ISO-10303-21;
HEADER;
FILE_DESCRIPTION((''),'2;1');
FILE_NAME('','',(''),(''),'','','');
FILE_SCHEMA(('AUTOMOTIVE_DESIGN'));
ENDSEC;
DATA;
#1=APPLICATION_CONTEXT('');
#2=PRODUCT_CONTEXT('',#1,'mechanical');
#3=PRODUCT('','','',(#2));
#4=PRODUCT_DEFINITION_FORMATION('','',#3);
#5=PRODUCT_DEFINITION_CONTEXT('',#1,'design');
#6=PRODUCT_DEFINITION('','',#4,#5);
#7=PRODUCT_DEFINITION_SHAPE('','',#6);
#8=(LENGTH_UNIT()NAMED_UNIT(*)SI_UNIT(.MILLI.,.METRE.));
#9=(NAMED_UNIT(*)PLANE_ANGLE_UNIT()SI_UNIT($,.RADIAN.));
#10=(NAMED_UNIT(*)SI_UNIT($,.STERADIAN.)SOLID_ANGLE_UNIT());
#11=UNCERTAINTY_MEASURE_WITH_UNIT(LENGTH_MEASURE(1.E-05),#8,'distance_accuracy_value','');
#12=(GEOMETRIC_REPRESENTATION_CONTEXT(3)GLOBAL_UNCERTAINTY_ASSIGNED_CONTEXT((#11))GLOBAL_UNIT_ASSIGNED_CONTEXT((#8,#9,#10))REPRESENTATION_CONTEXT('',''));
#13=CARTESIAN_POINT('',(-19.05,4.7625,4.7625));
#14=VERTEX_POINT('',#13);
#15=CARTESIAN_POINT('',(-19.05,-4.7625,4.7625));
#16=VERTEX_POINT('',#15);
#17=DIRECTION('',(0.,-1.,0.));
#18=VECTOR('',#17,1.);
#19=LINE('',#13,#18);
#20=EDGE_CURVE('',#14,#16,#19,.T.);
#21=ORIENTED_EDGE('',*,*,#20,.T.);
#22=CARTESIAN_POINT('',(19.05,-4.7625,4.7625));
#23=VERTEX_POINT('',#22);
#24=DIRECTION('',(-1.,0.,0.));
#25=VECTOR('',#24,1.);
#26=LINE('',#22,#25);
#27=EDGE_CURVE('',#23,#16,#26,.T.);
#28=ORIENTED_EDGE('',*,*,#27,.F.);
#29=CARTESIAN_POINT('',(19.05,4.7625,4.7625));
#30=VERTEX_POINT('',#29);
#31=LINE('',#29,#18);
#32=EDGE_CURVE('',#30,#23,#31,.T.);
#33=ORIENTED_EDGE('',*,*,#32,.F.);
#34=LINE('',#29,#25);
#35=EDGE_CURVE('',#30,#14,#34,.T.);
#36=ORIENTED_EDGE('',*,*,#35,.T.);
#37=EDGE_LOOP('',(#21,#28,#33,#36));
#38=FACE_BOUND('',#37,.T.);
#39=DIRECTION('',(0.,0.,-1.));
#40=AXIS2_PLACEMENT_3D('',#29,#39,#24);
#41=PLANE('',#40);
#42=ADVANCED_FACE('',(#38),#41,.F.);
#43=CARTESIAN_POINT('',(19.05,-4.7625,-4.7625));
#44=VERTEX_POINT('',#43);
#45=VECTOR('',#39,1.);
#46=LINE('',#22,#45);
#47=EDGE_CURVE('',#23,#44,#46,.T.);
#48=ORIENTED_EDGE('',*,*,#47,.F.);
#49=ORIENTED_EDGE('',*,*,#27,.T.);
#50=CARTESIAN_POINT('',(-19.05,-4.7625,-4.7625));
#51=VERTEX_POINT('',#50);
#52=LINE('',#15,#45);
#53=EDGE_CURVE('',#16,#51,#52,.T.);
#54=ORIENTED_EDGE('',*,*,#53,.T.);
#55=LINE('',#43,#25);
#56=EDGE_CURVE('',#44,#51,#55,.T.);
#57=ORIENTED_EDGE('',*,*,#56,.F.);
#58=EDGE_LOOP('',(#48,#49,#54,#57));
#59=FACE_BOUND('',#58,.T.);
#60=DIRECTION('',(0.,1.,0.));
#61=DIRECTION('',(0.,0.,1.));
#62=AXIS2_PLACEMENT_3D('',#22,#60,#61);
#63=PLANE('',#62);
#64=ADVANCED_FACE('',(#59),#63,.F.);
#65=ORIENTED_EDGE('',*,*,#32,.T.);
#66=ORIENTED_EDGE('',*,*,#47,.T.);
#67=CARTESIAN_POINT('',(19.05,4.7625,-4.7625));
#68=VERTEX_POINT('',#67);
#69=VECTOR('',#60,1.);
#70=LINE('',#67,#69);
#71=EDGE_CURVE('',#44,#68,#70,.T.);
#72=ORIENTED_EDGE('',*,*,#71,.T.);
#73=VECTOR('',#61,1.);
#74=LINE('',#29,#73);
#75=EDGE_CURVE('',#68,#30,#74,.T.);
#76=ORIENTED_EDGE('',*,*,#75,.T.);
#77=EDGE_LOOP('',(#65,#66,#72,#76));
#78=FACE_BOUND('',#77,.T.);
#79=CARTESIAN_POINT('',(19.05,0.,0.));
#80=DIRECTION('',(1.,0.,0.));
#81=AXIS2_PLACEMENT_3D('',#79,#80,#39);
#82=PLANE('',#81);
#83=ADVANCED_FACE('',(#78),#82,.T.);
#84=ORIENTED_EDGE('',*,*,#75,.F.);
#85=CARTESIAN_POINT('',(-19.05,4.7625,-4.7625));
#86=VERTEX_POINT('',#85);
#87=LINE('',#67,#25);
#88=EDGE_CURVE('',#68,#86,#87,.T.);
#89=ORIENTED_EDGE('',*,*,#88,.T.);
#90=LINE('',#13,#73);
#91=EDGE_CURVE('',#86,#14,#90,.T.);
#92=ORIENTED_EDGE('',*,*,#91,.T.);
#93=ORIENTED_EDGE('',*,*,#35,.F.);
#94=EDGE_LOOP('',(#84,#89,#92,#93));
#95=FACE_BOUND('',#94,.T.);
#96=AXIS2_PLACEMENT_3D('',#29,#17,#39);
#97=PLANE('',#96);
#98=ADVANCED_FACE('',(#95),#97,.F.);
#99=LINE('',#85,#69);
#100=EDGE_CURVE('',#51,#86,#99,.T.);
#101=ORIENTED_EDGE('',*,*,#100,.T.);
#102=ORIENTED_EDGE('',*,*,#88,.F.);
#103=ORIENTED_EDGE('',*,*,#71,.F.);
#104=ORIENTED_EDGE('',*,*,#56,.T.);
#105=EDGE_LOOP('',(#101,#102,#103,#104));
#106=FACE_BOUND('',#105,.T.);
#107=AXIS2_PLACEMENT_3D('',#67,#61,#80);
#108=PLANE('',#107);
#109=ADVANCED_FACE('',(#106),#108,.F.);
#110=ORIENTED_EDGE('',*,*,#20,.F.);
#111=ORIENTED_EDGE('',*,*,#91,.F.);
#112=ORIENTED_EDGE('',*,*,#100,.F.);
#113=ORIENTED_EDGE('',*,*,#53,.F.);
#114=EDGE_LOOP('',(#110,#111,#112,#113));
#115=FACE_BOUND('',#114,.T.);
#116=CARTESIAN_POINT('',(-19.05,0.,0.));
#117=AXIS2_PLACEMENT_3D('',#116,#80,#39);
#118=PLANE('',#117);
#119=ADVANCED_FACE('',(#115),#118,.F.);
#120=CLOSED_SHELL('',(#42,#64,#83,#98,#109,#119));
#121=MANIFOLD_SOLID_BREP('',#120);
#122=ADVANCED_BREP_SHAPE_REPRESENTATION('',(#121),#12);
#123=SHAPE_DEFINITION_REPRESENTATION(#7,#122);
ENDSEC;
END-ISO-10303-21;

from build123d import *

# Parameters (mm, degrees)
SKETCH1_W           = 9.525
SKETCH1_H           = 9.525
BOSS_EXTRUDE1_DEPTH = 19.05


with BuildPart() as part:
    # Sketch1 → Boss-Extrude1 (new body, symmetric)
    with BuildSketch(Plane(origin=(0, 0, 0), x_dir=(0, 0, -1), z_dir=(1, 0, 0))):
        Rectangle(SKETCH1_W, SKETCH1_H)
    extrude(amount=BOSS_EXTRUDE1_DEPTH, both=True)


solid = part.part
